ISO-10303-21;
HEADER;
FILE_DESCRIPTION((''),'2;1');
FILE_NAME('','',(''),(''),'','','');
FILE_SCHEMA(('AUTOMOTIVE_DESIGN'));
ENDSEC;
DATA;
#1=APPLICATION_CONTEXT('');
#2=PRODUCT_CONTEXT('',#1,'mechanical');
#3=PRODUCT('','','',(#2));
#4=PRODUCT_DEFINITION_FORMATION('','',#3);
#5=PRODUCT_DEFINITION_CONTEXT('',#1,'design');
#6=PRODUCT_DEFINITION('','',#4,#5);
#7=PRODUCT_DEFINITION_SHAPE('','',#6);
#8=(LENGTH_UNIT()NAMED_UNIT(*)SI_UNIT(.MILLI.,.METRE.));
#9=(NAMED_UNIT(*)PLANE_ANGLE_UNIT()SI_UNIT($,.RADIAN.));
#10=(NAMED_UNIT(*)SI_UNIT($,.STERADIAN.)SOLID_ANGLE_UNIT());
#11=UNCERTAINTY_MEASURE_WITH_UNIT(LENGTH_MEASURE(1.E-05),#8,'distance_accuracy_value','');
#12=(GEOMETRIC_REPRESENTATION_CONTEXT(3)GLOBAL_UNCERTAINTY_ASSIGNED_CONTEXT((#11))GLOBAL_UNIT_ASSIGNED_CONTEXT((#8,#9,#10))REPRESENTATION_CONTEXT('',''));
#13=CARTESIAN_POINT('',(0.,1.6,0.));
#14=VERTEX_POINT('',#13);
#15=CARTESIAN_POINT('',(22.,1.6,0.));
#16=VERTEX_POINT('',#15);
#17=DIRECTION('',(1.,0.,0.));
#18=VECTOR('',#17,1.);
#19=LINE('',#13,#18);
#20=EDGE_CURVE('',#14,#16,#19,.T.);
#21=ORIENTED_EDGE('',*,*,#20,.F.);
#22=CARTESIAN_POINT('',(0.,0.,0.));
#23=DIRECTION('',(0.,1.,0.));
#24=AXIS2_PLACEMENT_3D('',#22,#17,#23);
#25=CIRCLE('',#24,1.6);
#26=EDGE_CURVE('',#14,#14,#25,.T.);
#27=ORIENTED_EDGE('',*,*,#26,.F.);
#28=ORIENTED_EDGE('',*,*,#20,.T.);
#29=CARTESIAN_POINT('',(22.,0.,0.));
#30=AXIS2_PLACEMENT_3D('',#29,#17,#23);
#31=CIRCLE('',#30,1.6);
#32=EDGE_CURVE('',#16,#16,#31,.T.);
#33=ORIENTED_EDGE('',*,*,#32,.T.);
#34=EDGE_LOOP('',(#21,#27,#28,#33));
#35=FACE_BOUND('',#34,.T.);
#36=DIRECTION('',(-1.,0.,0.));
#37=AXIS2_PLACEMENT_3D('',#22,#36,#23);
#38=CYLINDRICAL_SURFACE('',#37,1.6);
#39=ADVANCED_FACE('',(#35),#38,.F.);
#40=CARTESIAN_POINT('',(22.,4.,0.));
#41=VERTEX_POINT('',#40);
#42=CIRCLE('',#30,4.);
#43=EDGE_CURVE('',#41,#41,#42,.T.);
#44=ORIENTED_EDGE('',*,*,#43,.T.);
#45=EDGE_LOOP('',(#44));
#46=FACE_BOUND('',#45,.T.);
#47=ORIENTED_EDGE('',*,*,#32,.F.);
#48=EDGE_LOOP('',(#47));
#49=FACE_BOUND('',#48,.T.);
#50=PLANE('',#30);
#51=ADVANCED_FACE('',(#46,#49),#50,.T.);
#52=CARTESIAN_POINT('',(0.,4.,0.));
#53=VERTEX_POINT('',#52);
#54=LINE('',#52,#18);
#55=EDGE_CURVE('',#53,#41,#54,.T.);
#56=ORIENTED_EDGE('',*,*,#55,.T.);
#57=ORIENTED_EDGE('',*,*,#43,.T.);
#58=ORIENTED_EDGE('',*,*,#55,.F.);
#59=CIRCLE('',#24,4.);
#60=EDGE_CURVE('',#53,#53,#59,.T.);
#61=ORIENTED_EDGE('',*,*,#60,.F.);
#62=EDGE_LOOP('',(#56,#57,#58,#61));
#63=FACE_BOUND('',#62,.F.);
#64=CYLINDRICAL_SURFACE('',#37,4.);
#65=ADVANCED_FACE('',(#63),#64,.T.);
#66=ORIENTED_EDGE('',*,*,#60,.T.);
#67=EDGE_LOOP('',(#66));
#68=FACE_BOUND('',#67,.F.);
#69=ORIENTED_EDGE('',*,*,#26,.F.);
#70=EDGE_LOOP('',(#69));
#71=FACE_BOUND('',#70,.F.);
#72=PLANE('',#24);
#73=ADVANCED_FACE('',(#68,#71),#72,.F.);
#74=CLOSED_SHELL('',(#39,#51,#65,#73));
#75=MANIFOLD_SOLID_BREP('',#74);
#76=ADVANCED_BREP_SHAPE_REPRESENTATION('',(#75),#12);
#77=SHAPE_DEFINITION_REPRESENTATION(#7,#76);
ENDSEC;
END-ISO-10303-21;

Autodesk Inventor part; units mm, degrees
ref_plane "YZ Plane" through (0, 0, 0) normal (1, 0, 0) x (0, 1, 0)
ref_plane "XZ Plane" through (0, 0, 0) normal (0, 1, 0) x (-1, 0, 0)
ref_plane "XY Plane" through (0, 0, 0) normal (0, 0, 1) x (1, 0, 0)
sketch "スケッチ1" plane through (0, 0, 0) normal (1, 0, 0) x (0, 1, 0)
  circle A0 centre (0, 0) radius 4
  circle A1 centre (0, 0) radius 1.6
  dimension "d0" = 8
  dimension "d1" = 3.2
extrude "押し出し1" add sketch "スケッチ1" along normal blind 22
properties part number "base_weel-v2-3DP-spesa-2" material "ABS プラスチック"
